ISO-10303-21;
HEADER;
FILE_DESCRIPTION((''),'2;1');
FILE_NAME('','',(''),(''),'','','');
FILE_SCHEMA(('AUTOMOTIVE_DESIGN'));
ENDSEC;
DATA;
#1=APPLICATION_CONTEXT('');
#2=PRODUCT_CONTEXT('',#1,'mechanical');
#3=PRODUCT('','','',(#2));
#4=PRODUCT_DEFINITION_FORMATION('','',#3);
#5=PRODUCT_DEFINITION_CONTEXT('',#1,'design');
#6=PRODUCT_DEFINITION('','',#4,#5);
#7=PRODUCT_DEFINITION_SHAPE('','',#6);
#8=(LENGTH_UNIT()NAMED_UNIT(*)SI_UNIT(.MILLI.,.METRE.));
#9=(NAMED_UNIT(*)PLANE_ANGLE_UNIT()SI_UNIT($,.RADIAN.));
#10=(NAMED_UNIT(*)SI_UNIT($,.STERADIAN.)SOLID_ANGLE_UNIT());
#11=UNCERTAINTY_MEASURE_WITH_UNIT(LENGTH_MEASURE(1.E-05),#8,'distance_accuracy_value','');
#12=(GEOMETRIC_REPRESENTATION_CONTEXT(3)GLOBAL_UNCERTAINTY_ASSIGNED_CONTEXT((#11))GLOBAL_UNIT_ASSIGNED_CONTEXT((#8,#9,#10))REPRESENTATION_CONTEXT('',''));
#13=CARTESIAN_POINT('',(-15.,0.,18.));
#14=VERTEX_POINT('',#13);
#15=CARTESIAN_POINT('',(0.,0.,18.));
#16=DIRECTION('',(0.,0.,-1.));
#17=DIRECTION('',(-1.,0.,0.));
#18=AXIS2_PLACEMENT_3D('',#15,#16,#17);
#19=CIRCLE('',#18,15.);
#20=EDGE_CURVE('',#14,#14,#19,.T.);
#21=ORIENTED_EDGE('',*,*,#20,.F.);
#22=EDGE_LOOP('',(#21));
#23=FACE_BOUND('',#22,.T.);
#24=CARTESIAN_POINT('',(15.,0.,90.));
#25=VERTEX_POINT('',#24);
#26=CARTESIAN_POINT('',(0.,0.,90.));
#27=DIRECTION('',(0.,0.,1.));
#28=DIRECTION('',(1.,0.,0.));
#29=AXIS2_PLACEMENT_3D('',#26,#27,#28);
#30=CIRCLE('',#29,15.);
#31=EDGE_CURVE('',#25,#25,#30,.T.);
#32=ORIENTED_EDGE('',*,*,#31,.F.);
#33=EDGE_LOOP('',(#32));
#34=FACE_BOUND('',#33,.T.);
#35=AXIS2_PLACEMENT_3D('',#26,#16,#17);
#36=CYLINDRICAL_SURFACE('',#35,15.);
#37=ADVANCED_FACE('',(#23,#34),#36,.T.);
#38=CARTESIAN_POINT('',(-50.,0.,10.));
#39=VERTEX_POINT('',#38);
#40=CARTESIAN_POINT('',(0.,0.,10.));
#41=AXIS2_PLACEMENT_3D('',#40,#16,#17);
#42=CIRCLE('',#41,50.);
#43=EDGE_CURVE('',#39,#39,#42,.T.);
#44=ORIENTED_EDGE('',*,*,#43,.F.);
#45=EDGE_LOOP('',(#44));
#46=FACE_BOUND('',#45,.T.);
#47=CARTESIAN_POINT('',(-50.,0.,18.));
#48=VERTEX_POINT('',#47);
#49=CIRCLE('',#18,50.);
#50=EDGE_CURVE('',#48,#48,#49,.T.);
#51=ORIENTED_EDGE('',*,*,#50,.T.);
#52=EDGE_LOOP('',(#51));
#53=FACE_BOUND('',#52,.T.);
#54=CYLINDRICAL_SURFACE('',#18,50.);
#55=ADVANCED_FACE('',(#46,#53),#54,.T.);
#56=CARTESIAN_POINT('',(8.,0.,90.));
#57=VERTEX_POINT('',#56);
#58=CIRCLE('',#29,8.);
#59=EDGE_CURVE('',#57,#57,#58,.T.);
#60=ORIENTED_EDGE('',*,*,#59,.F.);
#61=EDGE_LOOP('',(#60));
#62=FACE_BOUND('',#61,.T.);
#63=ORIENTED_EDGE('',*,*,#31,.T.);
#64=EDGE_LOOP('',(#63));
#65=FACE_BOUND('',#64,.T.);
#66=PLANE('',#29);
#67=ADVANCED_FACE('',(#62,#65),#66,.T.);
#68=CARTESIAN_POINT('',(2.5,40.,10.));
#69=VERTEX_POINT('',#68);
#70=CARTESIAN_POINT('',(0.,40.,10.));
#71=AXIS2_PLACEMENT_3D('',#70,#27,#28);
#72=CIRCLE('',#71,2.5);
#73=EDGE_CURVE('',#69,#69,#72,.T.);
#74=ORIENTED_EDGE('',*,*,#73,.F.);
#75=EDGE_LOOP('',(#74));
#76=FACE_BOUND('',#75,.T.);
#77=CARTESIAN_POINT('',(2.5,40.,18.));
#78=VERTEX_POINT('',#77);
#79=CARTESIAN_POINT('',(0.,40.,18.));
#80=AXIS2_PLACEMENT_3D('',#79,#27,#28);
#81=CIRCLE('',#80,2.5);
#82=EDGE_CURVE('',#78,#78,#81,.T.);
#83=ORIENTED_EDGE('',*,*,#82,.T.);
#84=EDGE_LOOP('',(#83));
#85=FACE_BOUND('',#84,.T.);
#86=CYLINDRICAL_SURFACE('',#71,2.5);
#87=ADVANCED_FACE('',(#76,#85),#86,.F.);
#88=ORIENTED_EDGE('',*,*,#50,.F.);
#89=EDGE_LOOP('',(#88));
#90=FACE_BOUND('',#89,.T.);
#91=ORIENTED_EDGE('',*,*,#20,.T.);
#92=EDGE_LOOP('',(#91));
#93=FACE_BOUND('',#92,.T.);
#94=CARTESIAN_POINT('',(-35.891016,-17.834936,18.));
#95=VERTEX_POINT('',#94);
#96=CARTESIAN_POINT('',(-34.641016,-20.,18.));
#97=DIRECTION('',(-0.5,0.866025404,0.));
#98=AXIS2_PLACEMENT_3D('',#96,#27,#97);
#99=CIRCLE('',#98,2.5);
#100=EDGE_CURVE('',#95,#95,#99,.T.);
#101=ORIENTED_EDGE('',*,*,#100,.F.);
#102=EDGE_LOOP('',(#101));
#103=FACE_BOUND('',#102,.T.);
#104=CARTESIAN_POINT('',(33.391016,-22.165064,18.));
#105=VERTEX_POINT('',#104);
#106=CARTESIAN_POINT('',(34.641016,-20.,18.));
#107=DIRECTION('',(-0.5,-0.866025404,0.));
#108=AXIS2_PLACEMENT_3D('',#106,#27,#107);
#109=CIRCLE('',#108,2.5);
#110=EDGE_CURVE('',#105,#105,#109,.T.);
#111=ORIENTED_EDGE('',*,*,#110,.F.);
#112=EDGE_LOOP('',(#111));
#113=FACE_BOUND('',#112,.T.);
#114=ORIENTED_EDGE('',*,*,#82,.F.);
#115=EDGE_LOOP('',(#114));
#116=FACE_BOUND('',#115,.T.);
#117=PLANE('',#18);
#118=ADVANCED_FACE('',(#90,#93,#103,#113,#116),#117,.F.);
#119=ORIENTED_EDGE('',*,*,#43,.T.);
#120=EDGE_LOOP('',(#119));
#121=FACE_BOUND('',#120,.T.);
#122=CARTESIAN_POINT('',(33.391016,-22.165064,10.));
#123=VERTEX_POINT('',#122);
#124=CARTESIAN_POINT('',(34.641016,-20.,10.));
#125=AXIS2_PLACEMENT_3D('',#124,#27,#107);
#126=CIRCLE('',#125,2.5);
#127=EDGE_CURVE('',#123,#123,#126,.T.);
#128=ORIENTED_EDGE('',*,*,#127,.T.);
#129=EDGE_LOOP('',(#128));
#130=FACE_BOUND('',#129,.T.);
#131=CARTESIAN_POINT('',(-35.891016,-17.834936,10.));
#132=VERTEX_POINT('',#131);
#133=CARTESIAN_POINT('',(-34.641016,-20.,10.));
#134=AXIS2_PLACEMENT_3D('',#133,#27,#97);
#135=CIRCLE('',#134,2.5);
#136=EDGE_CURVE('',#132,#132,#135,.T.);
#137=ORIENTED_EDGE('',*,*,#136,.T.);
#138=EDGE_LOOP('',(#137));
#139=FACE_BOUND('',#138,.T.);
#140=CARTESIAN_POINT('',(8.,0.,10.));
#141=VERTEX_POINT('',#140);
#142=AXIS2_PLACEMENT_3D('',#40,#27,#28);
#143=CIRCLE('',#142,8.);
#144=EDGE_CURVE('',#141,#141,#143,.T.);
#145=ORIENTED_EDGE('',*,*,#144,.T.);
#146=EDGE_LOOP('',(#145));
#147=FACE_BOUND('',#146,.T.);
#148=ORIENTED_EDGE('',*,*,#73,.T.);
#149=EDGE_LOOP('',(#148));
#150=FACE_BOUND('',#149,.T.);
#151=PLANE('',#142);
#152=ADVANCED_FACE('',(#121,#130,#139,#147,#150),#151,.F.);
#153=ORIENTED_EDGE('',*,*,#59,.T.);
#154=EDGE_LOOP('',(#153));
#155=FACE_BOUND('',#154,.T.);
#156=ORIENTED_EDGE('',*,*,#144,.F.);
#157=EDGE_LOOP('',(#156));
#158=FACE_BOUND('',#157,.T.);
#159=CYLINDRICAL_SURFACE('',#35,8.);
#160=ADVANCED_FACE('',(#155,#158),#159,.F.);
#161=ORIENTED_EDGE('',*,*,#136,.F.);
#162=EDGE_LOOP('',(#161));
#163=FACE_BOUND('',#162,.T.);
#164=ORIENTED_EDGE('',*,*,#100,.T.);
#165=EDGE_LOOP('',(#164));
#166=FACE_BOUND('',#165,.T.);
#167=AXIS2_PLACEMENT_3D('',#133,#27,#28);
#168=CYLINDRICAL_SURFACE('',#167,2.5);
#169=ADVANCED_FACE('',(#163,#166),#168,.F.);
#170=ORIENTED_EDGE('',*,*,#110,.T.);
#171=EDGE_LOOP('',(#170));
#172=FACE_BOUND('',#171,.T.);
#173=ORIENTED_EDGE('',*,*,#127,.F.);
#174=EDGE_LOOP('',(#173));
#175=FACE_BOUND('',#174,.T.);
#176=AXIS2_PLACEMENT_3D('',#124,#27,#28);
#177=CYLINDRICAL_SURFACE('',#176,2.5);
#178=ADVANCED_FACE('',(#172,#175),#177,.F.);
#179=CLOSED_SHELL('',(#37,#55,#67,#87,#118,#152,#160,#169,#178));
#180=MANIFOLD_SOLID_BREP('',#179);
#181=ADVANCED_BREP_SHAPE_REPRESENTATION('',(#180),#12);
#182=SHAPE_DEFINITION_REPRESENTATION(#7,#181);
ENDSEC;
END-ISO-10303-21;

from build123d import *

# Parameters (mm, degrees)
SKETCH1_R           = 15
SKETCH1_R_2         = 8
BOSS_EXTRUDE1_DEPTH = 80
SKETCH2_R           = 50
SKETCH2_R_2         = 12.5
BOSS_EXTRUDE2_DEPTH = 8
SKETCH3_R           = 2.5
CUT_EXTRUDE1_DEPTH  = 8
CIRPATTERN1_COUNT   = 3


with BuildPart() as part:
    # Sketch1 → Boss-Extrude1 (new body)
    with BuildSketch(Plane.XY.offset(10)):
        Circle(SKETCH1_R)
        Circle(SKETCH1_R_2, mode=Mode.SUBTRACT)
    extrude(amount=BOSS_EXTRUDE1_DEPTH)

    # Sketch2 → Boss-Extrude2 (add)
    with BuildSketch(Plane(origin=(0, 0, 10), x_dir=(-1, 0, 0), z_dir=(0, 0, -1))):
        Circle(SKETCH2_R)
        Circle(SKETCH2_R_2, mode=Mode.SUBTRACT)
    extrude(amount=-BOSS_EXTRUDE2_DEPTH)

    # Sketch3 → Cut-Extrude1 (cut)
    with BuildSketch(Plane.XY.offset(18)):
        with Locations((0, 40)):
            Circle(SKETCH3_R)
    cut_extrude1 = extrude(amount=-CUT_EXTRUDE1_DEPTH, mode=Mode.SUBTRACT)

    # CirPattern1: Cut-Extrude1 ×3 about axis
    cirpattern1_axis = Axis((0, 0, 0), (0, 0, 1))
    for i in range(1, CIRPATTERN1_COUNT):
        add(cut_extrude1.rotate(cirpattern1_axis, i * 360 / CIRPATTERN1_COUNT), mode=Mode.SUBTRACT)


solid = part.part
